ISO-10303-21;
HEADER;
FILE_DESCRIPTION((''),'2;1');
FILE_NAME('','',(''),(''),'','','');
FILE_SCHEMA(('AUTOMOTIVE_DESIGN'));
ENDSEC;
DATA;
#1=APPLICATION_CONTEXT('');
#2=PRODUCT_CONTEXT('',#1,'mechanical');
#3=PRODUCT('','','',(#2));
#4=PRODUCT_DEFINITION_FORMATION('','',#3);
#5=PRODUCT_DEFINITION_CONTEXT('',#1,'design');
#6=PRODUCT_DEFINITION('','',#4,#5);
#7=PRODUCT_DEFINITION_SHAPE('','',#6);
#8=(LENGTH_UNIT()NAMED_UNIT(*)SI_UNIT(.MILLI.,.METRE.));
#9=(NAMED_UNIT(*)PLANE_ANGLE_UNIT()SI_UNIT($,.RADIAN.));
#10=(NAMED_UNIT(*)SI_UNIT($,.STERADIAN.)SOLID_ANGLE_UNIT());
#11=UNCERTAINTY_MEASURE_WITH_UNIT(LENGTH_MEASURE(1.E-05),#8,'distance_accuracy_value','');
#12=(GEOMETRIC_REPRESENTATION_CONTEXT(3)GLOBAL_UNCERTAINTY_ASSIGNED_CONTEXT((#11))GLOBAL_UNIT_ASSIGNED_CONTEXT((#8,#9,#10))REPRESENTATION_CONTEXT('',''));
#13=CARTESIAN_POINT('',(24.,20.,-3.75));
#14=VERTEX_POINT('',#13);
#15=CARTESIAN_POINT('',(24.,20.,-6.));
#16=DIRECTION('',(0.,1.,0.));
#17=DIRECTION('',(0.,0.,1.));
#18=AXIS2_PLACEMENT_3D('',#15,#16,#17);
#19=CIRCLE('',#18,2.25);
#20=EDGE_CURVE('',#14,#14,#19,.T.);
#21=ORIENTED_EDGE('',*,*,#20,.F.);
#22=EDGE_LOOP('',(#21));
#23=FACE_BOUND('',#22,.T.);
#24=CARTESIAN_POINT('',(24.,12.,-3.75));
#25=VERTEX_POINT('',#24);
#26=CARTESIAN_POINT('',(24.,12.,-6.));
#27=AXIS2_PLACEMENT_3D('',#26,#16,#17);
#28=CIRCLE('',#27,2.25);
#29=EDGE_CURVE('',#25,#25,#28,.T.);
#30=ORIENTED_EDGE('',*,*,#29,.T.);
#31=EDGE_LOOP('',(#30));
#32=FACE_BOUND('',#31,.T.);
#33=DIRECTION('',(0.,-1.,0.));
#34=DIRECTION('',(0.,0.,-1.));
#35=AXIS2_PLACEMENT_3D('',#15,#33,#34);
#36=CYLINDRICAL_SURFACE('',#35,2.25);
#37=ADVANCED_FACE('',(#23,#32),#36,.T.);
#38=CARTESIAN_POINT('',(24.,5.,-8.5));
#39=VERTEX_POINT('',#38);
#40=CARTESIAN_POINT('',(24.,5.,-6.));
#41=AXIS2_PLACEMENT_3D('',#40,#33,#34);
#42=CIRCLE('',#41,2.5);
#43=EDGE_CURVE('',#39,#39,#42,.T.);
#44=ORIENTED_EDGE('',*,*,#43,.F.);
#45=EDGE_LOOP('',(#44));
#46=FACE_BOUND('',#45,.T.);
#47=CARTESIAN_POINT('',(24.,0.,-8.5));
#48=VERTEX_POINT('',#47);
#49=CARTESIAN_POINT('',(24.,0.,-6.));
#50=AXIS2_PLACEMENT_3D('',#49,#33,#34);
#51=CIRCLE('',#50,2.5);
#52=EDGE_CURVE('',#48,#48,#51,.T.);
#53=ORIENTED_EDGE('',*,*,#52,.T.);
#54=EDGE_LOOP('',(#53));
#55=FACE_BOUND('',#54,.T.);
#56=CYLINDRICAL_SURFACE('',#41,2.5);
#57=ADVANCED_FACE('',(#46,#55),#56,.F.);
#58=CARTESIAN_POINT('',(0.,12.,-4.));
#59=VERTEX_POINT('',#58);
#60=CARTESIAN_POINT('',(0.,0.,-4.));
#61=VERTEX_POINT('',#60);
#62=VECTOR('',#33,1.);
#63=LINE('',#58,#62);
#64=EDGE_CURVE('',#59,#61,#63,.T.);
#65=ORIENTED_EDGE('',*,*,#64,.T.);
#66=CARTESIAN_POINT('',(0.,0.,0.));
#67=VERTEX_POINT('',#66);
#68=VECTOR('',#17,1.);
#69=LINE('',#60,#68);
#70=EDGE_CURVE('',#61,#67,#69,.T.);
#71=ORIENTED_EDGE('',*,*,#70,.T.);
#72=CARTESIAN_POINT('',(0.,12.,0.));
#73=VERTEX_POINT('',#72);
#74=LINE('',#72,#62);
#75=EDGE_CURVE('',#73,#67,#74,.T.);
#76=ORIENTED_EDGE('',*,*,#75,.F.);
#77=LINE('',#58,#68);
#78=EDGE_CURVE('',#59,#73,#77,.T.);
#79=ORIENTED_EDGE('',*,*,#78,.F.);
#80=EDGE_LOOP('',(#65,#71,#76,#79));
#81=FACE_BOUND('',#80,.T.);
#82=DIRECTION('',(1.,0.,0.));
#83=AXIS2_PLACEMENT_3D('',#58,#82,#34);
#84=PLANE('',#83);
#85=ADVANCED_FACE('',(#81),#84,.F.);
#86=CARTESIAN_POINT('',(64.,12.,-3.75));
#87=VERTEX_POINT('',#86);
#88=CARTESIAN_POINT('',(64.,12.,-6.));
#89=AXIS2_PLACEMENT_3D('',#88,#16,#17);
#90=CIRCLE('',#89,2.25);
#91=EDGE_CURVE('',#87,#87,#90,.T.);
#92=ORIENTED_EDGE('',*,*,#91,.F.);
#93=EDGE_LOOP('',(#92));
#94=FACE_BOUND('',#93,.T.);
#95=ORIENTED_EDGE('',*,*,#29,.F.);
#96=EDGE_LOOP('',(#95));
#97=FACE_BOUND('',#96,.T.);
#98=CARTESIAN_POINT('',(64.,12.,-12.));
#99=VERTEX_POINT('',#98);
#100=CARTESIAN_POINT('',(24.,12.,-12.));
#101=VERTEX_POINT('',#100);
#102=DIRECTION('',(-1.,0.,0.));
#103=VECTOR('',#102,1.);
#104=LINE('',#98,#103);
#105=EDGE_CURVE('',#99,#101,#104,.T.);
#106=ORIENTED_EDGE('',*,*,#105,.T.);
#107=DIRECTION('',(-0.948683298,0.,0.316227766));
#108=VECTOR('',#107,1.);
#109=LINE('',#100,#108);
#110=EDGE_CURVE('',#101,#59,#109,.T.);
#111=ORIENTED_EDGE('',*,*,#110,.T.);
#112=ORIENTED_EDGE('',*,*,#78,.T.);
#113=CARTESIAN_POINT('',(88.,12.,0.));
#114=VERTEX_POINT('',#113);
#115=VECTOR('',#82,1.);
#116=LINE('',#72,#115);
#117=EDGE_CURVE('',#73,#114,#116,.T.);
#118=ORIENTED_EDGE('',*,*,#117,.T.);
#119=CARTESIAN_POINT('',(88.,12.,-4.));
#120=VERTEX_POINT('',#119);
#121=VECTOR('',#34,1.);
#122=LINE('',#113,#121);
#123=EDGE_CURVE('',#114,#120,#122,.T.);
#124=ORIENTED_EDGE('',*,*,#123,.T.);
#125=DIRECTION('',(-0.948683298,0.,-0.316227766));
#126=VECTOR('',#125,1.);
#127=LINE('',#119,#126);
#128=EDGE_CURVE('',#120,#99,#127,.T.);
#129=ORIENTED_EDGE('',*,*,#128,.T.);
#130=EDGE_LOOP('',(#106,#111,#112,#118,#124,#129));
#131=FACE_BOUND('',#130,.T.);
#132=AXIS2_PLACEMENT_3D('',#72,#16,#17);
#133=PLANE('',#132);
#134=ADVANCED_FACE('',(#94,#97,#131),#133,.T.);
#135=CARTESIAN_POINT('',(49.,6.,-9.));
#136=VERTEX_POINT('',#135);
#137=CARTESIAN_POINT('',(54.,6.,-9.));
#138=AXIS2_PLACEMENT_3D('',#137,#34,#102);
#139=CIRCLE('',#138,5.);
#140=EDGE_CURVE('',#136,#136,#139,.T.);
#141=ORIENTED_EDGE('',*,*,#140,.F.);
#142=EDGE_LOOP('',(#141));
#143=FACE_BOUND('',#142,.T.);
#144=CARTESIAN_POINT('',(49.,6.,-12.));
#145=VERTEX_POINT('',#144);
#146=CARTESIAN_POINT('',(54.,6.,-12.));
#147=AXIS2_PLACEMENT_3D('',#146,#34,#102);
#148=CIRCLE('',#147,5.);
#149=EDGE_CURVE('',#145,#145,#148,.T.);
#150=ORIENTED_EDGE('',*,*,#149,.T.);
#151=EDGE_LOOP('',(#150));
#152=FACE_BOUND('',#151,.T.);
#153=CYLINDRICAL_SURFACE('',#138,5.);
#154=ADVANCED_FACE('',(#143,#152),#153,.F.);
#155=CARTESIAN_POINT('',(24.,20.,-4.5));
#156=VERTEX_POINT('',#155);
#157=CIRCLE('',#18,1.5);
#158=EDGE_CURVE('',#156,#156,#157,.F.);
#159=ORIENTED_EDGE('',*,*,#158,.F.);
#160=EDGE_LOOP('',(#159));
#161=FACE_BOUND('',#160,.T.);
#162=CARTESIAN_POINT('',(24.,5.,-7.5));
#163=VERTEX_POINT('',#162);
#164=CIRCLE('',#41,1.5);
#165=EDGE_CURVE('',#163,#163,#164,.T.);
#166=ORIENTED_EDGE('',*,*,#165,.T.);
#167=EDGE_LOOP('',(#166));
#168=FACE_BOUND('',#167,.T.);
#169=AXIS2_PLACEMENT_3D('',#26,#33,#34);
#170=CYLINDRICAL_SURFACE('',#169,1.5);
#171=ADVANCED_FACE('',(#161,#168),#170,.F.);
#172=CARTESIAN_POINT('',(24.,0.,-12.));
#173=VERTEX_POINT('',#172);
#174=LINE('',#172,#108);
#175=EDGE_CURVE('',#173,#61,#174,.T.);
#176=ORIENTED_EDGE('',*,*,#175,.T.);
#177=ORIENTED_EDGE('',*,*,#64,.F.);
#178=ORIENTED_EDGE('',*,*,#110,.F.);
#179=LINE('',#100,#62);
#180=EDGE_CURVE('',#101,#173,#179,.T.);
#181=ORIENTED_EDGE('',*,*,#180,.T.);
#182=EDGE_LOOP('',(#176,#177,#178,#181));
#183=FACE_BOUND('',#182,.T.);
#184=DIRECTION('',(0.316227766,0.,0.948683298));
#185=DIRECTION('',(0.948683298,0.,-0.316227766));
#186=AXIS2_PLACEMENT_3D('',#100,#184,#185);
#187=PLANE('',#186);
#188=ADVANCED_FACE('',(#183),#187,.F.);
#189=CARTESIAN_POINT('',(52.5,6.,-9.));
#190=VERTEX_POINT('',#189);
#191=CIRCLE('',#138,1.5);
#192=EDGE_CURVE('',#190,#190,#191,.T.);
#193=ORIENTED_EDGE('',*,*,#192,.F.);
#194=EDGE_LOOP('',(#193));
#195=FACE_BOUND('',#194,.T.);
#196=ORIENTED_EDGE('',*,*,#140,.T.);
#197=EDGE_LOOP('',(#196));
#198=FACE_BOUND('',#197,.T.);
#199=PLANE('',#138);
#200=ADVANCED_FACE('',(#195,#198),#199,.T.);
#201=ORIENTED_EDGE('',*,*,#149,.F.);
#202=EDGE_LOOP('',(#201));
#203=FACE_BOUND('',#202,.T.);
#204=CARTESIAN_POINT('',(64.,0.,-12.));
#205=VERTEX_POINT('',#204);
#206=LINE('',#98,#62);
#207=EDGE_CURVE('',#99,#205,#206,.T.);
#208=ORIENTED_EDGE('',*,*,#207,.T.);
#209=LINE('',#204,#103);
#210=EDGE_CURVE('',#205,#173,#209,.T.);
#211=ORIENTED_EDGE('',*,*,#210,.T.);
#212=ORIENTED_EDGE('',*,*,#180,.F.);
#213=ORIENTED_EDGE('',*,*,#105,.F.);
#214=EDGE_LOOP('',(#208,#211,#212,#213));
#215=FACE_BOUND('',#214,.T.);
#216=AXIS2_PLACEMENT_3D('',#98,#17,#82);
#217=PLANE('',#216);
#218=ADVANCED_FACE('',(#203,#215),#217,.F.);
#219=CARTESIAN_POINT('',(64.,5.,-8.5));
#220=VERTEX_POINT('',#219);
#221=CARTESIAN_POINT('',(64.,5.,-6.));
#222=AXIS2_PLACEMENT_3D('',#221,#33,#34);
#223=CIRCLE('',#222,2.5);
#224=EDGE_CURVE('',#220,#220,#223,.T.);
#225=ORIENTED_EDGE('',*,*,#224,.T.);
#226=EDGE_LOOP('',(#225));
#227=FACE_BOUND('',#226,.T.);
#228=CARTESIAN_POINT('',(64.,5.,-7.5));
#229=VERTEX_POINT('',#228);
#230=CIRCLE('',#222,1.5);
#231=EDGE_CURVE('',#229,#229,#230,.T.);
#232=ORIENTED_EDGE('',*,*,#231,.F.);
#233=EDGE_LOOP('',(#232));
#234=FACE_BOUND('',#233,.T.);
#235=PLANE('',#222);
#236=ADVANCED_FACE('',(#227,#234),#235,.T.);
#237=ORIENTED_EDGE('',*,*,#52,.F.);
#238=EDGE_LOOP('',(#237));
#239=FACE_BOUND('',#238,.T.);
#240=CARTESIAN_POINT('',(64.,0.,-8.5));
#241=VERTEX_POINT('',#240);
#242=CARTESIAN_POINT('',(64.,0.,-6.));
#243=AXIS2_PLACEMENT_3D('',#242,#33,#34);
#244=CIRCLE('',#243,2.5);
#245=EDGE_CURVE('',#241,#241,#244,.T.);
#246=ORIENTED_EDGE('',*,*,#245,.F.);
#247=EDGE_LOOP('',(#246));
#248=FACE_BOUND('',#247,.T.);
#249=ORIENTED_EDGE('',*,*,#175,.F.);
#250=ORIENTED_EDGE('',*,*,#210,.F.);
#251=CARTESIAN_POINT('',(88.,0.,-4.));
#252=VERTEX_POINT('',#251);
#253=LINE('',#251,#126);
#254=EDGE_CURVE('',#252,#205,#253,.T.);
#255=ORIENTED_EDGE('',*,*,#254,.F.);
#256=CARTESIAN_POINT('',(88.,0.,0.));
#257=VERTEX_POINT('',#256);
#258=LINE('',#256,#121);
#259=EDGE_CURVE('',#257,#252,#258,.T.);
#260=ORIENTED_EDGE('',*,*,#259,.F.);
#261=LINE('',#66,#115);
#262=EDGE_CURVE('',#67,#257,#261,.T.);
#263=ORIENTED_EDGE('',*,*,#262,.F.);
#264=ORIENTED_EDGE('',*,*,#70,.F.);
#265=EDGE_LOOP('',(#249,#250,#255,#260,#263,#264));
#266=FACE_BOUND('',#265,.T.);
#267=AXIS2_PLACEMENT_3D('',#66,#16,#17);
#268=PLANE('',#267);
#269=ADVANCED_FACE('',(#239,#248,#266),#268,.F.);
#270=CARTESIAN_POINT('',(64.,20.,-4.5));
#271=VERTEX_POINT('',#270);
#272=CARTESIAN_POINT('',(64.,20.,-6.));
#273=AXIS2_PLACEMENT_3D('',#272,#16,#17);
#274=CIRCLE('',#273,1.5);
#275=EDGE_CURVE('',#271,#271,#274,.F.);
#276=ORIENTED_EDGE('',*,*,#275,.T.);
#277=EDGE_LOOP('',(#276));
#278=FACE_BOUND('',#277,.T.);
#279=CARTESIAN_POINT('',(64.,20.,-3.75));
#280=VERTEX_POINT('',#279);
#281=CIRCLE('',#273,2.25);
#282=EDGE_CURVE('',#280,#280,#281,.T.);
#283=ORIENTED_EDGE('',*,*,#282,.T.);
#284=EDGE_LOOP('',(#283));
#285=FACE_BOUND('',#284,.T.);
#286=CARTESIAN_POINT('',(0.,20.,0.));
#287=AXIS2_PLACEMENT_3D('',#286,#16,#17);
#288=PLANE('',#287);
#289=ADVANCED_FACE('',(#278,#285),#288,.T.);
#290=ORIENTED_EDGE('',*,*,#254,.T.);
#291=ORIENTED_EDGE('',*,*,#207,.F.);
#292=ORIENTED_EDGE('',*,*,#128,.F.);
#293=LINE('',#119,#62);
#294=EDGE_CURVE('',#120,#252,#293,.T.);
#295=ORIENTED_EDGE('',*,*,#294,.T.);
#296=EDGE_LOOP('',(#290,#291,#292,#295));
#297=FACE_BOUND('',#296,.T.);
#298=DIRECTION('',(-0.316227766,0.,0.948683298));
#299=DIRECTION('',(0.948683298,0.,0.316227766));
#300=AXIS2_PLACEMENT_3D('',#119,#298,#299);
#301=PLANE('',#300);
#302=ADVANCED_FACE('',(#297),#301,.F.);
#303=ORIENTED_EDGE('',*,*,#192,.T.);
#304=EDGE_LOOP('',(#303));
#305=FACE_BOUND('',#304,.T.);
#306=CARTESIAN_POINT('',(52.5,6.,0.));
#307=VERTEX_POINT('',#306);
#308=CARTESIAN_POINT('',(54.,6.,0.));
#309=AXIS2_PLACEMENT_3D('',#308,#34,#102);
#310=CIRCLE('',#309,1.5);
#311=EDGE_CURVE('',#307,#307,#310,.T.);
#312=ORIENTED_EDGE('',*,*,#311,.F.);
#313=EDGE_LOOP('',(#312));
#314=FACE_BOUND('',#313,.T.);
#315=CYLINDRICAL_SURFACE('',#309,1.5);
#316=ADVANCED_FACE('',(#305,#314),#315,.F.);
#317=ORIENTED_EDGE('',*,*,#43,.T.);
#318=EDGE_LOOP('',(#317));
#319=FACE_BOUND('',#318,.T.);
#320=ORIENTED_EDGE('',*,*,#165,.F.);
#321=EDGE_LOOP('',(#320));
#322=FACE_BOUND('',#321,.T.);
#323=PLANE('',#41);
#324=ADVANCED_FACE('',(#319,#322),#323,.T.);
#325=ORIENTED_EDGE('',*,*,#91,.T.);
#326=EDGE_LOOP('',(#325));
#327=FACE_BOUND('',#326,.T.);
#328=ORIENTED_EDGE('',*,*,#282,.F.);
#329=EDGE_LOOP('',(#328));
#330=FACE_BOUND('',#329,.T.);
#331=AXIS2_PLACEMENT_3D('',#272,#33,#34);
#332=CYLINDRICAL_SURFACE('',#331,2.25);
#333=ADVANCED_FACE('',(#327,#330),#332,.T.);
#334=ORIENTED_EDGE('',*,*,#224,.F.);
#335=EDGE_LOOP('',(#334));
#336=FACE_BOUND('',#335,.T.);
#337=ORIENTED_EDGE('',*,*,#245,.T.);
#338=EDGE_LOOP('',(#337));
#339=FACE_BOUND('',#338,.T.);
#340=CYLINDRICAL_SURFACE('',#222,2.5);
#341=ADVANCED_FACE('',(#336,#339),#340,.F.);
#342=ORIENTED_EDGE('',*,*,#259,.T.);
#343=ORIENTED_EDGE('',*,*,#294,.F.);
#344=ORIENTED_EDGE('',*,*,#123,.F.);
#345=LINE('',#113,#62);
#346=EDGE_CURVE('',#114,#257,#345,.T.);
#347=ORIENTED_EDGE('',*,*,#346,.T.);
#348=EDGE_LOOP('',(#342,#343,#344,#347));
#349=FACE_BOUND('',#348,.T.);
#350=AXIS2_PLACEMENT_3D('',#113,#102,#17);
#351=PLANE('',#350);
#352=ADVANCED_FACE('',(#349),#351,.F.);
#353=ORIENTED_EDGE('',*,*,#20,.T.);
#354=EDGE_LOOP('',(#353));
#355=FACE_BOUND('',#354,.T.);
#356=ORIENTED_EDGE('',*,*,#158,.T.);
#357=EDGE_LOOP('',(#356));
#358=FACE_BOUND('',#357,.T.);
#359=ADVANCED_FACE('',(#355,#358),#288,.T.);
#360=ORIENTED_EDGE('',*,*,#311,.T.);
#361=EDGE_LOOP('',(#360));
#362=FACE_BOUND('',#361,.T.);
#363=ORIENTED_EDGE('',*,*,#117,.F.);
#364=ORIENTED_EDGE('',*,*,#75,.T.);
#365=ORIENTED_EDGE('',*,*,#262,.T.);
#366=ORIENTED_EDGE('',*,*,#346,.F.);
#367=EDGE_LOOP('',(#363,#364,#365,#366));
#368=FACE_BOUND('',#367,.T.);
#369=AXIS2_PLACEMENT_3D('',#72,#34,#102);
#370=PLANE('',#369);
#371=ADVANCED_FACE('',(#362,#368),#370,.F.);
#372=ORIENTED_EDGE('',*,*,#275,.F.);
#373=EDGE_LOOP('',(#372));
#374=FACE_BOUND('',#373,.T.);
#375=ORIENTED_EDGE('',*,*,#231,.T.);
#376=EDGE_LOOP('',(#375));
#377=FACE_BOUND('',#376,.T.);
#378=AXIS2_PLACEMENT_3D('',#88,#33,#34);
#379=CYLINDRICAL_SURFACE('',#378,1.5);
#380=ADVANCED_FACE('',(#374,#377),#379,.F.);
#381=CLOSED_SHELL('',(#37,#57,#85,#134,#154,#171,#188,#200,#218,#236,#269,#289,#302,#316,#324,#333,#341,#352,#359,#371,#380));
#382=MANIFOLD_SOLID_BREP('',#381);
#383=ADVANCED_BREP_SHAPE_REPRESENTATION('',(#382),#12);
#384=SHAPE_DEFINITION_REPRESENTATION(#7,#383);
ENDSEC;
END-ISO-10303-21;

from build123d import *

# Parameters (mm, degrees)
BOSS_EXTRUDE1_DEPTH = 12
SKETCH2_R           = 2.5
CUT_EXTRUDE1_DEPTH  = 5
SKETCH3_R           = 1.5
CUT_EXTRUDE2_DEPTH  = 90.089842294
SKETCH4_R           = 2.25
SKETCH4_R_2         = 1.5
BOSS_EXTRUDE2_DEPTH = 8
SKETCH5_R           = 5
CUT_EXTRUDE3_DEPTH  = 3
SKETCH6_R           = 1.5
CUT_EXTRUDE4_DEPTH  = 91.691785736


with BuildPart() as part:
    # Sketch1 → Boss-Extrude1 (new body)
    with BuildSketch(Plane(origin=(0, 0, 0), x_dir=(1, 0, 0), z_dir=(0, 1, 0))):
        Polygon((0, 0), (88, 0), (88, 4), (64, 12), (24, 12), (0, 4), align=None)
    extrude(amount=BOSS_EXTRUDE1_DEPTH)

    # Sketch2 → Cut-Extrude1 (cut)
    with BuildSketch(Plane(origin=(0, 0, 0), x_dir=(-1, 0, 0), z_dir=(0, -1, 0))):
        with Locations(Location((-24, 6, 0), (0, 0, 90))):
            Circle(SKETCH2_R)
        with Locations(Location((-64, 6, 0), (0, 0, 90))):
            Circle(SKETCH2_R)
    extrude(amount=-CUT_EXTRUDE1_DEPTH, mode=Mode.SUBTRACT)

    # Sketch3 → Cut-Extrude2 (cut, through all)
    with BuildSketch(Plane(origin=(0, 5, 0), x_dir=(-1, 0, 0), z_dir=(0, -1, 0))):
        with Locations(Location((-24, 6, 0), (0, 0, 90))):
            Circle(SKETCH3_R)
        with Locations(Location((-64, 6, 0), (0, 0, 90))):
            Circle(SKETCH3_R)
    extrude(amount=-CUT_EXTRUDE2_DEPTH, mode=Mode.SUBTRACT)

    # Sketch4 → Boss-Extrude2 (add)
    with BuildSketch(Plane(origin=(0, 12, 0), x_dir=(1, 0, 0), z_dir=(0, 1, 0))):
        with Locations(Location((24, 6, 0), (0, 0, 270))):
            Circle(SKETCH4_R)
        with Locations(Location((24, 6, 0), (0, 0, 90))):
            Circle(SKETCH4_R_2, mode=Mode.SUBTRACT)
        with Locations(Location((64, 6, 0), (0, 0, 270))):
            Circle(SKETCH4_R)
        with Locations(Location((64, 6, 0), (0, 0, 90))):
            Circle(SKETCH4_R_2, mode=Mode.SUBTRACT)
    extrude(amount=BOSS_EXTRUDE2_DEPTH)

    # Sketch5 → Cut-Extrude3 (cut)
    with BuildSketch(Plane(origin=(0, 0, -12), x_dir=(-1, 0, 0), z_dir=(0, 0, -1))):
        with Locations((-54, 6)):
            Circle(SKETCH5_R)
    extrude(amount=-CUT_EXTRUDE3_DEPTH, mode=Mode.SUBTRACT)

    # Sketch6 → Cut-Extrude4 (cut, through all)
    with BuildSketch(Plane(origin=(0, 0, -9), x_dir=(-1, 0, 0), z_dir=(0, 0, -1))):
        with Locations((-54, 6)):
            Circle(SKETCH6_R)
    extrude(amount=-CUT_EXTRUDE4_DEPTH, mode=Mode.SUBTRACT)


solid = part.part
